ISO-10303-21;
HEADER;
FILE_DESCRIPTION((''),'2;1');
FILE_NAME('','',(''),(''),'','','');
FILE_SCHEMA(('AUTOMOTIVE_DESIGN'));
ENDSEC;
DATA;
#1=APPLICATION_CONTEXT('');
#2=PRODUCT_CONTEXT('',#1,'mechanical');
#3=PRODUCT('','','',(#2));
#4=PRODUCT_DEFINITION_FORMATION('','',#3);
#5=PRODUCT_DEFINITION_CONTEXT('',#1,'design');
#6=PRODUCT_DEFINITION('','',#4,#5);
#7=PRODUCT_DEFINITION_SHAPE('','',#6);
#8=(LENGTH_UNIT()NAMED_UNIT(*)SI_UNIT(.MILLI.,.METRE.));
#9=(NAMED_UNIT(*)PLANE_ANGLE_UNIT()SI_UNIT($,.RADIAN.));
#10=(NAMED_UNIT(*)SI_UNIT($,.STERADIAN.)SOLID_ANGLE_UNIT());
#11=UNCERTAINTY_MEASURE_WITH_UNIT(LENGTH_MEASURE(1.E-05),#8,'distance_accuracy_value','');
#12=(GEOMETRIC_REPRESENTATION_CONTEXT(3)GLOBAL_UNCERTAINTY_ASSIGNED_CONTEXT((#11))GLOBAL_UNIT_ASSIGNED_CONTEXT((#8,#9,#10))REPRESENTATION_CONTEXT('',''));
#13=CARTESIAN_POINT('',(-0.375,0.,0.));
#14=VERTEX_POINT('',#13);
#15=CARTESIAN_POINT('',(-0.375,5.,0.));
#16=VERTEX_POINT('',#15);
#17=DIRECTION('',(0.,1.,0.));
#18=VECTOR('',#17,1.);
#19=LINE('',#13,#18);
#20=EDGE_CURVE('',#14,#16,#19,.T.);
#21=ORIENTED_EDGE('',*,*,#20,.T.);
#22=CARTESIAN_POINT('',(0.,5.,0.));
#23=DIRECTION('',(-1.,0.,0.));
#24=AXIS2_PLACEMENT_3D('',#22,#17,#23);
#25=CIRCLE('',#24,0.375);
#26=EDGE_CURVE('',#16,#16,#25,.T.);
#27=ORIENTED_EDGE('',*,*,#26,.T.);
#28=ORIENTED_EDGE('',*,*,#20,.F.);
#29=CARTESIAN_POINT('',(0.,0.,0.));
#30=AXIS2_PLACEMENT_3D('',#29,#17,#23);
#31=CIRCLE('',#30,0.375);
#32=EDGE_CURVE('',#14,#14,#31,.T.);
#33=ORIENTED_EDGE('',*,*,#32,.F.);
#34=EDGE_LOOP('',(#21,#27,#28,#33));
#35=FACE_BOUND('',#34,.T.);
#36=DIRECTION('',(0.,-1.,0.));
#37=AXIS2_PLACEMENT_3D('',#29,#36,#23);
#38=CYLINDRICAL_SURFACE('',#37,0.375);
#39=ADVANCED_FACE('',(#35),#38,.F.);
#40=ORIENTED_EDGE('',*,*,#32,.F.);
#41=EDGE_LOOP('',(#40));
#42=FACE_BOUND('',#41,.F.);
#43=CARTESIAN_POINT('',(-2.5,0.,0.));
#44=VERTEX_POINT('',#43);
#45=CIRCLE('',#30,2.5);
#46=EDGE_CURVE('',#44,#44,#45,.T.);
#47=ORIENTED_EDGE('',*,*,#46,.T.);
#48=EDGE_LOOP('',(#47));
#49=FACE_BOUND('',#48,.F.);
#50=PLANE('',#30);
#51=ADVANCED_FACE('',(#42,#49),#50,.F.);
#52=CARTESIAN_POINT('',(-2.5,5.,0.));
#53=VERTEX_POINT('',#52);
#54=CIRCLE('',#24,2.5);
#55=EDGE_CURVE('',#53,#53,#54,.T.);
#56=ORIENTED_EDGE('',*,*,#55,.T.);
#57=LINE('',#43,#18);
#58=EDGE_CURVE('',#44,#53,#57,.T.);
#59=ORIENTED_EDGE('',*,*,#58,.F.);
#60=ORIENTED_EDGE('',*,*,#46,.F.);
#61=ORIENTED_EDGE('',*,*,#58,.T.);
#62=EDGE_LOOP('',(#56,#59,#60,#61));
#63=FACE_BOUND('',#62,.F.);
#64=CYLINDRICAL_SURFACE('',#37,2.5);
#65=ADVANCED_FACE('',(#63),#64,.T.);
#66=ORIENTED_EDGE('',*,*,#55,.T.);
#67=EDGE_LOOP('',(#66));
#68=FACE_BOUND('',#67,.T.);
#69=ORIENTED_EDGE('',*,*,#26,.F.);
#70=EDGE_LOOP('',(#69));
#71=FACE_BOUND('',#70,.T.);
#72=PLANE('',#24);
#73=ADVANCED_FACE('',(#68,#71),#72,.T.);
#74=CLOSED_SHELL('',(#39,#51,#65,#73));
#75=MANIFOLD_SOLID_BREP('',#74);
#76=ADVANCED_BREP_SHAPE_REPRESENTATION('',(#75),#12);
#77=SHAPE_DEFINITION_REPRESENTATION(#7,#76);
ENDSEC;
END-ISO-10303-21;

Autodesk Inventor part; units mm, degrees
ref_plane "YZ Plane" through (0, 0, 0) normal (1, 0, 0) x (0, 1, 0)
ref_plane "XZ Plane" through (0, 0, 0) normal (0, 1, 0) x (-1, 0, 0)
ref_plane "XY Plane" through (0, 0, 0) normal (0, 0, 1) x (1, 0, 0)
sketch "Sketch1" plane through (0, 0, 0) normal (0, 1, 0) x (-1, 0, 0)
  circle A0 centre (0, 0) radius 2.5
  circle A1 centre (0, 0) radius 0.375
  dimension "d0" = 5
  dimension "d1" = 0.75
extrude "Extrusion1" add sketch "Sketch1" along normal blind 5
properties part number "roller"
